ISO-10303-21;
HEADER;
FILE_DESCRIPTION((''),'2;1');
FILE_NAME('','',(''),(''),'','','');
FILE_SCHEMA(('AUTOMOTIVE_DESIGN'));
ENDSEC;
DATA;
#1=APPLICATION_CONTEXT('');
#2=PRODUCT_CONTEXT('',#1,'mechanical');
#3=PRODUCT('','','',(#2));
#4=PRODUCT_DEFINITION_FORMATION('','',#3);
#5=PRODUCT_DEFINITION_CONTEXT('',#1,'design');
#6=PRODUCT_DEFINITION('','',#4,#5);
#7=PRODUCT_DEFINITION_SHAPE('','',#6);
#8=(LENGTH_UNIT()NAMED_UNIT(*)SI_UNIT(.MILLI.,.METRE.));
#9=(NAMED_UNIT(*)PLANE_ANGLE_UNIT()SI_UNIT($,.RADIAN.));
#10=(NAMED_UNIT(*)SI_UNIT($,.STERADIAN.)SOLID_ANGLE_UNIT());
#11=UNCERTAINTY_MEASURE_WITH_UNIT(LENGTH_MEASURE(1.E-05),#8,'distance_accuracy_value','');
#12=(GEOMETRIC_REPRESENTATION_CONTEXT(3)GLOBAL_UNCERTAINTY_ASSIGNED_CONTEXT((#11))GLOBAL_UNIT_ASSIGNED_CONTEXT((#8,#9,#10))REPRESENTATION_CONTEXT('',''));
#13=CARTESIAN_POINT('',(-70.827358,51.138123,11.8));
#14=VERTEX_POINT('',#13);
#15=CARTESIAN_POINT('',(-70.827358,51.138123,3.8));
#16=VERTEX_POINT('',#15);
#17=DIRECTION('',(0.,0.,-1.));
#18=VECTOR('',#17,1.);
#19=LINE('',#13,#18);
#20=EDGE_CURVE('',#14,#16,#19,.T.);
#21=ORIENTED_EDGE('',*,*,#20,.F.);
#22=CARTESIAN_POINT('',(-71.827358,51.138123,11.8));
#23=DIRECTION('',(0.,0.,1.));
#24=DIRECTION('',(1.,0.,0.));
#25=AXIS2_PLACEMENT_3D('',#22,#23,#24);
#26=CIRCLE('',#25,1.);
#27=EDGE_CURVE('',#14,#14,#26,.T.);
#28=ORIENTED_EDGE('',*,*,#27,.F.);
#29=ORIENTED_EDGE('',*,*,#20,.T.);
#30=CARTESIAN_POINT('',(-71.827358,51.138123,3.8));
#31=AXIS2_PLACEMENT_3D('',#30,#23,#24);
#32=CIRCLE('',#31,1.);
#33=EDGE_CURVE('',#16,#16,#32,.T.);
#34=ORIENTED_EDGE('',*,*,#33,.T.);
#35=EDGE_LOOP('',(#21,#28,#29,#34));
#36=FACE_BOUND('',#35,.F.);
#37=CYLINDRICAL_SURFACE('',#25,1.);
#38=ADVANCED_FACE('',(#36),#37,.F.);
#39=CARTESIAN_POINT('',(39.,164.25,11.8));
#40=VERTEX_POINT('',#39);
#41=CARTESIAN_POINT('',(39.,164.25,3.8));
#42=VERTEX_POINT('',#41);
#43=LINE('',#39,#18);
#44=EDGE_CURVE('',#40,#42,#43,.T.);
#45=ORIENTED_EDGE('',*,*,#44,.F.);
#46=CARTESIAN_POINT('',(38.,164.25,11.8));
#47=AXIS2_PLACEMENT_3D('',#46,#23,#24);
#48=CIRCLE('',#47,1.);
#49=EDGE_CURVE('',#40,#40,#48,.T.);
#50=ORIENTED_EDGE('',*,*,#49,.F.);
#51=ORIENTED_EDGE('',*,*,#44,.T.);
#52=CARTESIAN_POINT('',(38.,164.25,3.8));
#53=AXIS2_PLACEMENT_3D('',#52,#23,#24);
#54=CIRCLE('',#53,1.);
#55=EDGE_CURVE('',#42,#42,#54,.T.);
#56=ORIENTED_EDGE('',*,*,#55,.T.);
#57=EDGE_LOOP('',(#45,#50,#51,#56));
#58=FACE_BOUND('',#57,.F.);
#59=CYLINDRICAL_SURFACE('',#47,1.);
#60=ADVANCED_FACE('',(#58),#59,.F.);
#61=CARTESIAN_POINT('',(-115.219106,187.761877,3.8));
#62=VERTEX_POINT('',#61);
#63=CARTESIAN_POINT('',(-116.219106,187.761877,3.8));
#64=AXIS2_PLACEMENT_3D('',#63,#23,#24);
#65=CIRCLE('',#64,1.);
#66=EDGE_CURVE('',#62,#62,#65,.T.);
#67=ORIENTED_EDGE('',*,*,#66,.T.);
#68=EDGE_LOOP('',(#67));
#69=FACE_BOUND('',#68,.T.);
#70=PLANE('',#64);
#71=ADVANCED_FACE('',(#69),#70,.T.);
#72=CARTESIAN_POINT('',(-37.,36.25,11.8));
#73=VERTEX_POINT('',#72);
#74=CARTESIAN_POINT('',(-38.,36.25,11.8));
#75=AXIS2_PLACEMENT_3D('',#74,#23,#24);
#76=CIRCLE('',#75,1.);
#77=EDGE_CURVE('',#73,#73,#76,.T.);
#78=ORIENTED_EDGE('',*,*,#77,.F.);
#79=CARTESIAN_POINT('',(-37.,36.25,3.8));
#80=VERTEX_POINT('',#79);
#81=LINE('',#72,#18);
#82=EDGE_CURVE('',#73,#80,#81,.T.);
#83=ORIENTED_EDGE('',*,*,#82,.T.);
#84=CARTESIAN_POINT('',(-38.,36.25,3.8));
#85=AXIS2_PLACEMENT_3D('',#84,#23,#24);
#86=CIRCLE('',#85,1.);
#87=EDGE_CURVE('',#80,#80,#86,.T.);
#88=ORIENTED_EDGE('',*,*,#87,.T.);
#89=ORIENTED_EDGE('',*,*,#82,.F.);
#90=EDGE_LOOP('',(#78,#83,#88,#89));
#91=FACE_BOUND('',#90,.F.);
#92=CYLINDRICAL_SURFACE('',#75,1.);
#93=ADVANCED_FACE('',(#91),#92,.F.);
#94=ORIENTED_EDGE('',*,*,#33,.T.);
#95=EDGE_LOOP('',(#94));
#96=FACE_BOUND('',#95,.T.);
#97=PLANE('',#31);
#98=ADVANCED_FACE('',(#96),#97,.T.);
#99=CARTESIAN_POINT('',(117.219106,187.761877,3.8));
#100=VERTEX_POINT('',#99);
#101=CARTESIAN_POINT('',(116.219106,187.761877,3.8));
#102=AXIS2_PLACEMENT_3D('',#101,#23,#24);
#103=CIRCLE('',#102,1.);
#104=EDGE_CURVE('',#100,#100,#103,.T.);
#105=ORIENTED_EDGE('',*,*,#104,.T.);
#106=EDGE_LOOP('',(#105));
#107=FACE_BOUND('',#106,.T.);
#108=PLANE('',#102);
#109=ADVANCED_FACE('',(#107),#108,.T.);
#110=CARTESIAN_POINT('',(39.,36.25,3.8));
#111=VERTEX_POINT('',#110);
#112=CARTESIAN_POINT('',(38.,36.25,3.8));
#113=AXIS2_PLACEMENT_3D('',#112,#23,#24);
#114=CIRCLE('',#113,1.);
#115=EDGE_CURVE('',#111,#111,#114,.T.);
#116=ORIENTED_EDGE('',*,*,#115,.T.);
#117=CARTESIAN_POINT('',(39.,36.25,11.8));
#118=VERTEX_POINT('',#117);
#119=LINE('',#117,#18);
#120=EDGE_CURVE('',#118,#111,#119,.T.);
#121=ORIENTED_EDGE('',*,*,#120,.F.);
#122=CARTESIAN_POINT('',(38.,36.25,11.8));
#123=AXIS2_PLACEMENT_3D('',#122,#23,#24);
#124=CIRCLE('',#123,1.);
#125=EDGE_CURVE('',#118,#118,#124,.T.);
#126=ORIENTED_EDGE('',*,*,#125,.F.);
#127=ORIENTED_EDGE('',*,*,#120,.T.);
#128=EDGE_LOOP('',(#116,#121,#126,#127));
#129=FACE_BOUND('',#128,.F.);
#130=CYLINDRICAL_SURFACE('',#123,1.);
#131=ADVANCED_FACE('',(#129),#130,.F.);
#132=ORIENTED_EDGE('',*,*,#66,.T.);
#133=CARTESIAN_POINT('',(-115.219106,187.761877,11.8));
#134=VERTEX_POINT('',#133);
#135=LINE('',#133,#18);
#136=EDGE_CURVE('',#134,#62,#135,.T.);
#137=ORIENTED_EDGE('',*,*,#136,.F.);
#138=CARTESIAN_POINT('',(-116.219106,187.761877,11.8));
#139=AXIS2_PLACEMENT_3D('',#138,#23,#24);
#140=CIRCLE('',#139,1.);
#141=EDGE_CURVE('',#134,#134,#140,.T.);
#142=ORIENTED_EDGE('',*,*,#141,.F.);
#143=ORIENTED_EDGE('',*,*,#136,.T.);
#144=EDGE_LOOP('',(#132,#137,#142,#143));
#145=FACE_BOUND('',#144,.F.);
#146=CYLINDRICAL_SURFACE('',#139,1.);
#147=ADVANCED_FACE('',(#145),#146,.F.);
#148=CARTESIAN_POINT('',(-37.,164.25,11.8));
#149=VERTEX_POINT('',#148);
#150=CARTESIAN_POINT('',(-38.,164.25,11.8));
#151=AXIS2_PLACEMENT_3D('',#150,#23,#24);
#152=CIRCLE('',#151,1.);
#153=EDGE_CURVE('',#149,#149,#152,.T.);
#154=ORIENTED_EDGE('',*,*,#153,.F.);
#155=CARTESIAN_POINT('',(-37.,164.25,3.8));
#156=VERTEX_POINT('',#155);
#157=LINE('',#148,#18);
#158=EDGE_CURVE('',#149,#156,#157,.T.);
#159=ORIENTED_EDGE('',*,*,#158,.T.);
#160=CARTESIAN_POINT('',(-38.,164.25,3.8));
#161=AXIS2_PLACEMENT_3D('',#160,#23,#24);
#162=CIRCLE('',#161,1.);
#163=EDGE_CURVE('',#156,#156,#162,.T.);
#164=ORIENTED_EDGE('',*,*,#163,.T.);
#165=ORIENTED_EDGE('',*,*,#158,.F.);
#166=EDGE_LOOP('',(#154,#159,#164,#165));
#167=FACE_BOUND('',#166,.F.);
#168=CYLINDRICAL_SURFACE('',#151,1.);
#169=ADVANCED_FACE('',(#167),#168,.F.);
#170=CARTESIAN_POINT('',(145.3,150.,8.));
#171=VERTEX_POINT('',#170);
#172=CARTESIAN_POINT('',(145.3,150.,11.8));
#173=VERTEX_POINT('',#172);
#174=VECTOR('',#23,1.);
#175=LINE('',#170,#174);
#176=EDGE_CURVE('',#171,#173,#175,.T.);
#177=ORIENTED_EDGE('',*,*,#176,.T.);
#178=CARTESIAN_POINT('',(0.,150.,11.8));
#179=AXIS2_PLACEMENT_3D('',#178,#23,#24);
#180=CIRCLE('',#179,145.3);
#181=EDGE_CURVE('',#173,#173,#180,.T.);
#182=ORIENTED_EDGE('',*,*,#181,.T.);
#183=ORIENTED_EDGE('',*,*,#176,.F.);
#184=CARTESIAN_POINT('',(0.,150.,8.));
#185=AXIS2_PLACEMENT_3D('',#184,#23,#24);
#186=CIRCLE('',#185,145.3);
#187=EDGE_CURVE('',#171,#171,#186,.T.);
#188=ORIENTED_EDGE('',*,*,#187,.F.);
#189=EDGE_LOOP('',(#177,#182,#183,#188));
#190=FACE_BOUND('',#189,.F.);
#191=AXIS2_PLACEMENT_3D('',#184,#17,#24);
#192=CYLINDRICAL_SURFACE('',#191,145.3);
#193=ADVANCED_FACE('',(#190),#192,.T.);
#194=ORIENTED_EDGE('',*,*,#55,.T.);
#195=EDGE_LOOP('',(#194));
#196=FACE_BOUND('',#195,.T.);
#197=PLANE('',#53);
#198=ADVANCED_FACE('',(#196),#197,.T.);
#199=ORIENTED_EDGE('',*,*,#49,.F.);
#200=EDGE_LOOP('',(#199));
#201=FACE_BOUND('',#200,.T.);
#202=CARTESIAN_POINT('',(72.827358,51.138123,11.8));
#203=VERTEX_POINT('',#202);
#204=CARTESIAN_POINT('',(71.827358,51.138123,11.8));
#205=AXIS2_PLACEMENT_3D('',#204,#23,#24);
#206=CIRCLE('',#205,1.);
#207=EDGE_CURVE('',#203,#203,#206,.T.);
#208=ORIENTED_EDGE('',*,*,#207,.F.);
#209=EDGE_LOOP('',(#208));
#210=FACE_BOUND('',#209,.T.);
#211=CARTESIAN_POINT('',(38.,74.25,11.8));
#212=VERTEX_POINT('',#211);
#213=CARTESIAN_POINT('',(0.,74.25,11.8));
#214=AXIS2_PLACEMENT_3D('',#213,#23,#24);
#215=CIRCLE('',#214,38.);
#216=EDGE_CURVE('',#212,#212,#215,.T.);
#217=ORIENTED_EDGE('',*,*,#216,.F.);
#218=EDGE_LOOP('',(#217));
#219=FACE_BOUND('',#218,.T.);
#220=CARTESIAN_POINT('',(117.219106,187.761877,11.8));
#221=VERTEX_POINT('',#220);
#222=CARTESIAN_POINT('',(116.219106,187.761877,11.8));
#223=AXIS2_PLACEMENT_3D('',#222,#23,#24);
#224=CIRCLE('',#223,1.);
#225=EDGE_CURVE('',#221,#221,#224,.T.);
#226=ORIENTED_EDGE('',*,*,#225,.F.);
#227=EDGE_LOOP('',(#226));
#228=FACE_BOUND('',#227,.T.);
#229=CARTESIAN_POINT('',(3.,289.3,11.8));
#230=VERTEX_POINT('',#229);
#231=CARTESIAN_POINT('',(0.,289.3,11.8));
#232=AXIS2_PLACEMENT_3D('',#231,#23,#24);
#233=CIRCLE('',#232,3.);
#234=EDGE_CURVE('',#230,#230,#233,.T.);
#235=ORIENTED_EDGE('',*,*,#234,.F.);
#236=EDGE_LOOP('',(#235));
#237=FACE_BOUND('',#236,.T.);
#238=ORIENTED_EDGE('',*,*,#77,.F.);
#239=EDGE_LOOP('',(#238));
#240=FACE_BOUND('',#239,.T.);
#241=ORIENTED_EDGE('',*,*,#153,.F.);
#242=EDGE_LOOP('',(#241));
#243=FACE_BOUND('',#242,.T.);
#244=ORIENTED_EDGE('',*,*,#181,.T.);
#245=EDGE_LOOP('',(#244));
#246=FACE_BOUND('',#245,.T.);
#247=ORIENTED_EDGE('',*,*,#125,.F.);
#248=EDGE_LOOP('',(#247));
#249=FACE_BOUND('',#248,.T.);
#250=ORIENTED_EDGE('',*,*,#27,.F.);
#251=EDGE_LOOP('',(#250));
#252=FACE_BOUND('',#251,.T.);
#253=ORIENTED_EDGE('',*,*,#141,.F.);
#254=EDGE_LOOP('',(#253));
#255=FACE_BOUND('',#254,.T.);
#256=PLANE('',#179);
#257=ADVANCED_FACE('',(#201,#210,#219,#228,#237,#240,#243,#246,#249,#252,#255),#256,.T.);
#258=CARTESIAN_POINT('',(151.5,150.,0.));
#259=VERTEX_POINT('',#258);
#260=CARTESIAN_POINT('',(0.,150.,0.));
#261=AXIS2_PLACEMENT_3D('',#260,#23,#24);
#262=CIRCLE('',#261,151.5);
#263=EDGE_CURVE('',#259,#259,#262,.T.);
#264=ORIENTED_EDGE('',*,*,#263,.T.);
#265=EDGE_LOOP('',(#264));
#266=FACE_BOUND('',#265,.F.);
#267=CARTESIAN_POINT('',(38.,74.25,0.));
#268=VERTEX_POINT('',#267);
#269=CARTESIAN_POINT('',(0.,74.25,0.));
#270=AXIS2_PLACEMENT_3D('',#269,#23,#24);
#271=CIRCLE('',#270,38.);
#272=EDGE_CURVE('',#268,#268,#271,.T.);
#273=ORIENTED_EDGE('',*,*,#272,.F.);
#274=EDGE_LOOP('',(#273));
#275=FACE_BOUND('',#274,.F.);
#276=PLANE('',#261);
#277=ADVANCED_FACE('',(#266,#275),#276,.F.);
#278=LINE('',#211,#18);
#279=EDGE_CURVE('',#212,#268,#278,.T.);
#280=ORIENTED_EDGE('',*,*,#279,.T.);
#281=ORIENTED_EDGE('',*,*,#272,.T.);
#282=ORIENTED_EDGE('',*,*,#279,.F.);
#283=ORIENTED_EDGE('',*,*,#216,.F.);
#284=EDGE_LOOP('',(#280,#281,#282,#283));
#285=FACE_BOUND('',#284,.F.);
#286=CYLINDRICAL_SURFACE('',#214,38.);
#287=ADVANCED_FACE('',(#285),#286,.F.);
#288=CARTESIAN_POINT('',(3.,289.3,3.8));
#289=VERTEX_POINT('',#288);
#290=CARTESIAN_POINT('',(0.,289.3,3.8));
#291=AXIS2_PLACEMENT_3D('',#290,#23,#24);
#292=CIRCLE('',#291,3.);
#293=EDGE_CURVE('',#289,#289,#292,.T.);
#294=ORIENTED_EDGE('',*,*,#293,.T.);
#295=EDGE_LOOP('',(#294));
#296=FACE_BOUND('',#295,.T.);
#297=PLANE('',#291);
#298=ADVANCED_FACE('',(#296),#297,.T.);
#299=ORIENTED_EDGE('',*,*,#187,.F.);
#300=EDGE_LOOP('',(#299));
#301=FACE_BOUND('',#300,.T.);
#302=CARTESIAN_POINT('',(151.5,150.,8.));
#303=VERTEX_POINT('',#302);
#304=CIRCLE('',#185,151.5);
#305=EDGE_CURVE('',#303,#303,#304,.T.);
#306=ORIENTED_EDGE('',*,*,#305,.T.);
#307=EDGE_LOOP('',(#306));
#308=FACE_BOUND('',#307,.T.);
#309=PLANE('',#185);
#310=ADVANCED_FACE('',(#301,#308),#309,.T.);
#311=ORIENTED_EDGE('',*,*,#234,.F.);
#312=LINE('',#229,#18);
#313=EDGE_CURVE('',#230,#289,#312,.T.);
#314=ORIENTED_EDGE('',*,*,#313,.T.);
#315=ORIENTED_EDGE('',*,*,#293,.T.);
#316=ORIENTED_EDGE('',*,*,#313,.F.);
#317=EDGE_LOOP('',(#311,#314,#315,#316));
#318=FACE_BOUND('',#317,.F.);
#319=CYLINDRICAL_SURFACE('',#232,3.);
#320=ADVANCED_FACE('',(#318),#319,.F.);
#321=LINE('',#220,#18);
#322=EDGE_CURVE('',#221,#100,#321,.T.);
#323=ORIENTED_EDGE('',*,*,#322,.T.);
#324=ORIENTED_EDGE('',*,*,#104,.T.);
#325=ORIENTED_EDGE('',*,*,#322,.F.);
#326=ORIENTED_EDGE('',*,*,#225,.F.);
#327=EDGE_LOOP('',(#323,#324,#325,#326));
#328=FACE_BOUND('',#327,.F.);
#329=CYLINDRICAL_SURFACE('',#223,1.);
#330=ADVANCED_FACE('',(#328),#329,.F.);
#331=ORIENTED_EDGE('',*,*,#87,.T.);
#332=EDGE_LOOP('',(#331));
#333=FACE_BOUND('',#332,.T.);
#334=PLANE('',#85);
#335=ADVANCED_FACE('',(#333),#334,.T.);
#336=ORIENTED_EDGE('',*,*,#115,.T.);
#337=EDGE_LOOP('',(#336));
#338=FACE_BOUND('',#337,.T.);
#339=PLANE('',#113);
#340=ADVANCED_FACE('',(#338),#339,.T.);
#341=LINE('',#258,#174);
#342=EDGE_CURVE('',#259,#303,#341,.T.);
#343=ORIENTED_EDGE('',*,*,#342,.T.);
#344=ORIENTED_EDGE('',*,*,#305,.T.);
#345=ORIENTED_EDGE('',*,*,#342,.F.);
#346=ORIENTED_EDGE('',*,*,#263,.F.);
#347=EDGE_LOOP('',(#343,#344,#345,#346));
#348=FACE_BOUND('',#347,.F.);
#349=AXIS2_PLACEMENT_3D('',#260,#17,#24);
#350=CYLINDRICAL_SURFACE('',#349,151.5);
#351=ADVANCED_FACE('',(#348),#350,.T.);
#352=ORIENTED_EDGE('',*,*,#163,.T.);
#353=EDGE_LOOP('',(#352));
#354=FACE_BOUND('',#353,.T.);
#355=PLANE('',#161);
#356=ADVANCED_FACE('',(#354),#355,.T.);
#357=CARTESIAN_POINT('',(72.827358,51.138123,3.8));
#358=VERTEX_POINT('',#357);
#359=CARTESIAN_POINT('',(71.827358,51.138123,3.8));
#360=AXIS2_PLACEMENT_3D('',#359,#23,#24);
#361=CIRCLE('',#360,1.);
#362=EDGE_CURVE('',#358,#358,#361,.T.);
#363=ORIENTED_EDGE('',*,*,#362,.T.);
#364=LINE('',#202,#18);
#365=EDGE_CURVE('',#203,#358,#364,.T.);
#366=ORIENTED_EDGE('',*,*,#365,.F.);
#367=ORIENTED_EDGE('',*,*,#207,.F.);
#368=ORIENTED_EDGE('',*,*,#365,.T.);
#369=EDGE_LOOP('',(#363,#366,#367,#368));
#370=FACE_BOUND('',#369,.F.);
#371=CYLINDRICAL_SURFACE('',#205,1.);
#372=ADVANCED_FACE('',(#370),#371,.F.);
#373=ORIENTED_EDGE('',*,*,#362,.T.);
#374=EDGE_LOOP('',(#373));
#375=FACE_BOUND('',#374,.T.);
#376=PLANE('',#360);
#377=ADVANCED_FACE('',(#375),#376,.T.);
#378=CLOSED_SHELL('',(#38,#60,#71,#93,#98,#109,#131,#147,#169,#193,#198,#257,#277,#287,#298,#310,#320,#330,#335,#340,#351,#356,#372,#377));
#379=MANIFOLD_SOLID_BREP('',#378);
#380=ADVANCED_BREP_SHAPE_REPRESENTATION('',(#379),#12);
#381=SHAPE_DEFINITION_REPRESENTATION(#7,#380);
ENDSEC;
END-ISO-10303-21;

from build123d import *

# Parameters (mm, degrees)
SKETCH049_R     = 151.5
PAD_DEPTH       = 8
SKETCH050_R     = 145.3
PAD008_DEPTH    = 3.8
SKETCH051_R     = 1
SKETCH051_R_2   = 3
POCKET_DEPTH    = 8
SKETCH052_R     = 38
POCKET005_DEPTH = 11.801


with BuildPart() as part:
    # Sketch049 → Pad (new body)
    with BuildSketch(Plane.XY):
        Circle(SKETCH049_R)
    extrude(amount=PAD_DEPTH)

    # Sketch050 (on Face3 of Pad) → Pad008 (join)
    with BuildSketch(Plane.XY.offset(8)):
        Circle(SKETCH050_R)
    extrude(amount=PAD008_DEPTH)

    # Sketch051 (on Face5 of Pad008) → Pocket (cut)
    with BuildSketch(Plane.XY.offset(11.8)):
        with Locations((-38, -113.75)):
            Circle(SKETCH051_R)
        with Locations((-71.827358, -98.861877)):
            Circle(SKETCH051_R)
        with Locations((38, -113.75)):
            Circle(SKETCH051_R)
        with Locations((71.827358, -98.861877)):
            Circle(SKETCH051_R)
        with Locations((38, 14.25)):
            Circle(SKETCH051_R)
        with Locations((-38, 14.25)):
            Circle(SKETCH051_R)
        with Locations((-116.219106, 37.761877)):
            Circle(SKETCH051_R)
        with Locations((116.219106, 37.761877)):
            Circle(SKETCH051_R)
        with Locations((0, 139.3)):
            Circle(SKETCH051_R_2)
    extrude(amount=-POCKET_DEPTH, mode=Mode.SUBTRACT)

    # Sketch052 (on Face5 of Pad008) → Pocket005 (cut, through all)
    with BuildSketch(Plane.XY.offset(11.8)):
        with Locations((0, -75.75)):
            Circle(SKETCH052_R)
    extrude(amount=-POCKET005_DEPTH, mode=Mode.SUBTRACT)


with BuildPart() as part_1:
    # Body placement: moved
    add(part.part.moved(Location((0, 150, 0))))


solid = part_1.part
